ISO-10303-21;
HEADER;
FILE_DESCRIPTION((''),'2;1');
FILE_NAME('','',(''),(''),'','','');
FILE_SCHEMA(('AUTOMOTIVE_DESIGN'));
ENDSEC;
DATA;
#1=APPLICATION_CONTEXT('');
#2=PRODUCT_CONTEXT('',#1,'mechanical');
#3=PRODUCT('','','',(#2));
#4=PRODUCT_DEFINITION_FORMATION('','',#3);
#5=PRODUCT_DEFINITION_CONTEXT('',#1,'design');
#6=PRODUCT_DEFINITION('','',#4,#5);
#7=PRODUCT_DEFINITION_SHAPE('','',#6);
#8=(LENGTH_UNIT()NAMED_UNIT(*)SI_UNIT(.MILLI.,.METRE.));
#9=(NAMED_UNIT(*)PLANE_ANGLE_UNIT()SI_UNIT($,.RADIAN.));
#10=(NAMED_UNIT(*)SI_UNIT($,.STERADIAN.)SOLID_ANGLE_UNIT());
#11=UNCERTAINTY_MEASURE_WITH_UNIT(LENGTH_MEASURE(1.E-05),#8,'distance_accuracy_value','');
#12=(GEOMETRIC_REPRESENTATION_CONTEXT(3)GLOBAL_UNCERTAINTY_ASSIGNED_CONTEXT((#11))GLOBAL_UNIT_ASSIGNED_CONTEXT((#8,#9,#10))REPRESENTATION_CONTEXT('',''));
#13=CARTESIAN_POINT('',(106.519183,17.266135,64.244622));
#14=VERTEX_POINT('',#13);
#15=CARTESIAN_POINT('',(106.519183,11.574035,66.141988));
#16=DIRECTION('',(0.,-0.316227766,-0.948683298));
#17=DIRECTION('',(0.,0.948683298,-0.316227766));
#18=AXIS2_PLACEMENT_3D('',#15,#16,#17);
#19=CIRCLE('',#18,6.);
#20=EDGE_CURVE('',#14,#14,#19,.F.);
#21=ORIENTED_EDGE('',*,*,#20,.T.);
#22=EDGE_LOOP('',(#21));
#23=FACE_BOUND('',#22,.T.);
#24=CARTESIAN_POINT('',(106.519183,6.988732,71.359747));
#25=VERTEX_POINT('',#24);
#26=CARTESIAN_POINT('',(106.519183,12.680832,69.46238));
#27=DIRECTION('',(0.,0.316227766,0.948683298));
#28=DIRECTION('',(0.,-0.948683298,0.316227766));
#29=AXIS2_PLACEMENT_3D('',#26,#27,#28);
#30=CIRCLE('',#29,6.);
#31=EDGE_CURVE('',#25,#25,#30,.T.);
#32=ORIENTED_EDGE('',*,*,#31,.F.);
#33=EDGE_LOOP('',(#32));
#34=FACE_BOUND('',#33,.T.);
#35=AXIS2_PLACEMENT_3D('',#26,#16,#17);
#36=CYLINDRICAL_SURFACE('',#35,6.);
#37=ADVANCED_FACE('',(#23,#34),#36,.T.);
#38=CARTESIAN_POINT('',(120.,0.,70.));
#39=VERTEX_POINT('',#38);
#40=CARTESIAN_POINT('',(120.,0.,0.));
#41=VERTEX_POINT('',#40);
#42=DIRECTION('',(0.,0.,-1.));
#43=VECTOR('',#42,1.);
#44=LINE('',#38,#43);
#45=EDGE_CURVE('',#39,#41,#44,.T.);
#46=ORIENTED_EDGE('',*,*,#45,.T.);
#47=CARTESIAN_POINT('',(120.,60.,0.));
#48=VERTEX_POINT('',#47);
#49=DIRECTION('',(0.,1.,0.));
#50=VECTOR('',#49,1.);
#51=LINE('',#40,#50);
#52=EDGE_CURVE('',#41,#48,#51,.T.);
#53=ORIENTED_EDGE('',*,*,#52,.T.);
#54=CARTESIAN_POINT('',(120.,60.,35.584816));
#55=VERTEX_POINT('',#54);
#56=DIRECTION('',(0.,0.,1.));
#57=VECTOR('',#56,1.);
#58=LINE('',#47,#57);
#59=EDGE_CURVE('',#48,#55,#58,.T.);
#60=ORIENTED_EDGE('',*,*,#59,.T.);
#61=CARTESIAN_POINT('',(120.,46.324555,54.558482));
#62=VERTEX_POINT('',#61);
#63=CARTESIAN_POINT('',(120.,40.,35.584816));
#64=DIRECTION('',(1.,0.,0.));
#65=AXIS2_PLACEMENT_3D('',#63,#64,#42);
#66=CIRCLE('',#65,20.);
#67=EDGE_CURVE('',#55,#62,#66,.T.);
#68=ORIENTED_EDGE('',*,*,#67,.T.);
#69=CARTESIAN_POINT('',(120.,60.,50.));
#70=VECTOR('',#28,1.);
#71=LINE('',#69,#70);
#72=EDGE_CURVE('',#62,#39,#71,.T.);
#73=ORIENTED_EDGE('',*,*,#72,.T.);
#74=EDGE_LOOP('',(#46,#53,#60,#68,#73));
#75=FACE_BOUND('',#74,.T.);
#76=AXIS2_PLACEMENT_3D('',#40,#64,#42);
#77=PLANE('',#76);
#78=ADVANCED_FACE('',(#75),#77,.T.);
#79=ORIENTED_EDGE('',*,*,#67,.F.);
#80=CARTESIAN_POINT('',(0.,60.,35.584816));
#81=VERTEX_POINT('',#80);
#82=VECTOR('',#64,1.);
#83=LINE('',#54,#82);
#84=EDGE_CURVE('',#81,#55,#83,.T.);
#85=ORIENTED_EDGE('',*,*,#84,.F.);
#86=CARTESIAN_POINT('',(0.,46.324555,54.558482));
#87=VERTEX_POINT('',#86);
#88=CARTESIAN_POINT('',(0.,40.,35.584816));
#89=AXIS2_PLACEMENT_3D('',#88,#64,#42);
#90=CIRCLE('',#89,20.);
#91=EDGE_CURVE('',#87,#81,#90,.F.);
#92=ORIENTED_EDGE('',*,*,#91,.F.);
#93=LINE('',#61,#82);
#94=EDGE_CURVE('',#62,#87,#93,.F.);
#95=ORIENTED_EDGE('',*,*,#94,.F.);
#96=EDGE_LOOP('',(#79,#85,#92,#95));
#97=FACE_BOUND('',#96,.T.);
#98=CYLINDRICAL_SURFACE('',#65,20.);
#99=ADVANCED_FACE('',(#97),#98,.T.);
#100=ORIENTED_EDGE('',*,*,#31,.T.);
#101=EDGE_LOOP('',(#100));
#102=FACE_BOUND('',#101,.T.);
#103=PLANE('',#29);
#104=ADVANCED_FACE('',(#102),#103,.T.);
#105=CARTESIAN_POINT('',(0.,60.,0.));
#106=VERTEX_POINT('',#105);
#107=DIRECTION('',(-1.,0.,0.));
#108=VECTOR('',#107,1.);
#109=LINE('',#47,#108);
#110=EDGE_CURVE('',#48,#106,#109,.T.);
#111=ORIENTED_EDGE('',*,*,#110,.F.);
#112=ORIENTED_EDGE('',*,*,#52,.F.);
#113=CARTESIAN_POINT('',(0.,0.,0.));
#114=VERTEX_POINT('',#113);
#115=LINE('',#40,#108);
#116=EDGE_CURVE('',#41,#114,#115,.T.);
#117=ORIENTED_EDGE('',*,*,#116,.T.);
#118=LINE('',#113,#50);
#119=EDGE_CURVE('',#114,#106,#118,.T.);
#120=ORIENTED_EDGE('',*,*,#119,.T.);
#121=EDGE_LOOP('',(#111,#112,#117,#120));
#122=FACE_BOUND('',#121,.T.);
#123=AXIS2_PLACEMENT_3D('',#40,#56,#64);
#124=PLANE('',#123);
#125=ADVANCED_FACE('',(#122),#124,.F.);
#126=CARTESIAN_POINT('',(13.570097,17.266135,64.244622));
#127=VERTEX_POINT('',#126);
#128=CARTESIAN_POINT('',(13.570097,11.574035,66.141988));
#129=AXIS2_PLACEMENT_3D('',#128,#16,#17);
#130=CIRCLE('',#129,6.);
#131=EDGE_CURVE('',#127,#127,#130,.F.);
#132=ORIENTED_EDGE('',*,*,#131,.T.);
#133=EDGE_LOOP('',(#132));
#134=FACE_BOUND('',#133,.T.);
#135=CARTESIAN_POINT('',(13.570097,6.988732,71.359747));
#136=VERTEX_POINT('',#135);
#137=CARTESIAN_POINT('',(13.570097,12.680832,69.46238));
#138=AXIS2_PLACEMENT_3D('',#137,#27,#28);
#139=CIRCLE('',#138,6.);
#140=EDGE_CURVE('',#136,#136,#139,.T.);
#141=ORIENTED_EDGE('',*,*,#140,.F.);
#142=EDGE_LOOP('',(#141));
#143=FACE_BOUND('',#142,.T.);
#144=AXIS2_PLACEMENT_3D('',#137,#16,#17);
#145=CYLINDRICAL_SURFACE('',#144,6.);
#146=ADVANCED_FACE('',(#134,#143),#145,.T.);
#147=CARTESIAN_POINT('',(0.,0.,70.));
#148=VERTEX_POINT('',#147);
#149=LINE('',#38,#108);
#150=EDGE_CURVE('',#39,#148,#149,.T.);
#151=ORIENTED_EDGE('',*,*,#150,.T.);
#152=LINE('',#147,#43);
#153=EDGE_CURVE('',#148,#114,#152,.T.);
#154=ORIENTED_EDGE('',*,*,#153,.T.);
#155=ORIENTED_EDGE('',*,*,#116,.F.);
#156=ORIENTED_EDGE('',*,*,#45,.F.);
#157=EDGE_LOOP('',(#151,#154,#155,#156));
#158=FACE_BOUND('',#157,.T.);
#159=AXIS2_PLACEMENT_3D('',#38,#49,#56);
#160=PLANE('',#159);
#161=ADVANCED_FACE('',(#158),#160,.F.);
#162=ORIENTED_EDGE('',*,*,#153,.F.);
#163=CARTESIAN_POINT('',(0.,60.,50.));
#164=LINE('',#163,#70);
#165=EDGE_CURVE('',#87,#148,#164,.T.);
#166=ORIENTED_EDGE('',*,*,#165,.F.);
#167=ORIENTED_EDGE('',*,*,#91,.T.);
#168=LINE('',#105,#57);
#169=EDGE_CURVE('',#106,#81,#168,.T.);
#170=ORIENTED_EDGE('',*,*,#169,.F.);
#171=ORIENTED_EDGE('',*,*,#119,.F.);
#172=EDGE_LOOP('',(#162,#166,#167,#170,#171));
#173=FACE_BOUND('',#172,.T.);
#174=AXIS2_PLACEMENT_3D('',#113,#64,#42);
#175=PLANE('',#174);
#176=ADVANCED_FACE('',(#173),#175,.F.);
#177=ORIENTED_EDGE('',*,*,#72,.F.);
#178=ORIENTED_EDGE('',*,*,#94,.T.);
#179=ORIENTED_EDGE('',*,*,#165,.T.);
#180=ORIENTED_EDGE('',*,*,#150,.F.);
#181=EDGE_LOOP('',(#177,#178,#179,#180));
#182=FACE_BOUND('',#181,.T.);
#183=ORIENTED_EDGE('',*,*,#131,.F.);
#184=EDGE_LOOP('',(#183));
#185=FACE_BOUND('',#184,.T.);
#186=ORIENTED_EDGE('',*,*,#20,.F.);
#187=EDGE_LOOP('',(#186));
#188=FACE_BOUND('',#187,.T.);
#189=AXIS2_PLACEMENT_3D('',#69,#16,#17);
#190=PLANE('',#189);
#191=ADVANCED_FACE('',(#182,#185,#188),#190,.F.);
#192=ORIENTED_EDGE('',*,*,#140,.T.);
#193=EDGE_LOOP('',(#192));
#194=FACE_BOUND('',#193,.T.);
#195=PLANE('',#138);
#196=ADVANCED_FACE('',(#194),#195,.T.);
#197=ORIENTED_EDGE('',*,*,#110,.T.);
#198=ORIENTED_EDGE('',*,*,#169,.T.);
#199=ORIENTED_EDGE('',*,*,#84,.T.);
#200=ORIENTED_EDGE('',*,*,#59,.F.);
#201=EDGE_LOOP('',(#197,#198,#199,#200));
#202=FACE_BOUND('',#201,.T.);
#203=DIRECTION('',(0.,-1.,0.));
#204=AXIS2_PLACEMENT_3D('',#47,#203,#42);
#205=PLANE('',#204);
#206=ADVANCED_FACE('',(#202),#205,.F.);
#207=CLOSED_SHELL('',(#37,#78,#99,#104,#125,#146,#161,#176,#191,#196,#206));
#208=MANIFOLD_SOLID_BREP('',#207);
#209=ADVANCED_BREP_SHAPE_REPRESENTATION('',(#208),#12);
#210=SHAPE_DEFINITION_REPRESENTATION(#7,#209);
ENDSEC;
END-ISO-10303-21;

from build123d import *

# Parameters (mm, degrees)
BOSS_EXTRUDE1_DEPTH = 120
FILLET2_R           = 20
SKETCH2_R           = 6
BOSS_EXTRUDE2_DEPTH = 3.5


with BuildPart() as part:
    # Sketch1 → Boss-Extrude1 (new body)
    with BuildSketch(Plane(origin=(0, 0, 0), x_dir=(0, 0, -1), z_dir=(1, 0, 0))):
        Polygon((-70, 0), (0, 0), (0, 60), (-50, 60), align=None)
    extrude(amount=BOSS_EXTRUDE1_DEPTH)

    # Fillet2
    fillet2_edges = [part.edges().sort_by_distance(p)[0] for p in [
        (60, 60, 50),
    ]]
    fillet(fillet2_edges, radius=FILLET2_R)

    # Sketch2 → Boss-Extrude2 (add)
    with BuildSketch(Plane(origin=(0, 21, 63), x_dir=(1, 0, 0), z_dir=(0, 0.316227766016838, 0.9486832980505138))):
        with Locations(Location((13.570097229, -9.935839792, 0), (0, 0, 90))):
            Circle(SKETCH2_R)
        with Locations(Location((106.519183085, -9.935839792, 0), (0, 0, 90))):
            Circle(SKETCH2_R)
    extrude(amount=BOSS_EXTRUDE2_DEPTH)


solid = part.part
